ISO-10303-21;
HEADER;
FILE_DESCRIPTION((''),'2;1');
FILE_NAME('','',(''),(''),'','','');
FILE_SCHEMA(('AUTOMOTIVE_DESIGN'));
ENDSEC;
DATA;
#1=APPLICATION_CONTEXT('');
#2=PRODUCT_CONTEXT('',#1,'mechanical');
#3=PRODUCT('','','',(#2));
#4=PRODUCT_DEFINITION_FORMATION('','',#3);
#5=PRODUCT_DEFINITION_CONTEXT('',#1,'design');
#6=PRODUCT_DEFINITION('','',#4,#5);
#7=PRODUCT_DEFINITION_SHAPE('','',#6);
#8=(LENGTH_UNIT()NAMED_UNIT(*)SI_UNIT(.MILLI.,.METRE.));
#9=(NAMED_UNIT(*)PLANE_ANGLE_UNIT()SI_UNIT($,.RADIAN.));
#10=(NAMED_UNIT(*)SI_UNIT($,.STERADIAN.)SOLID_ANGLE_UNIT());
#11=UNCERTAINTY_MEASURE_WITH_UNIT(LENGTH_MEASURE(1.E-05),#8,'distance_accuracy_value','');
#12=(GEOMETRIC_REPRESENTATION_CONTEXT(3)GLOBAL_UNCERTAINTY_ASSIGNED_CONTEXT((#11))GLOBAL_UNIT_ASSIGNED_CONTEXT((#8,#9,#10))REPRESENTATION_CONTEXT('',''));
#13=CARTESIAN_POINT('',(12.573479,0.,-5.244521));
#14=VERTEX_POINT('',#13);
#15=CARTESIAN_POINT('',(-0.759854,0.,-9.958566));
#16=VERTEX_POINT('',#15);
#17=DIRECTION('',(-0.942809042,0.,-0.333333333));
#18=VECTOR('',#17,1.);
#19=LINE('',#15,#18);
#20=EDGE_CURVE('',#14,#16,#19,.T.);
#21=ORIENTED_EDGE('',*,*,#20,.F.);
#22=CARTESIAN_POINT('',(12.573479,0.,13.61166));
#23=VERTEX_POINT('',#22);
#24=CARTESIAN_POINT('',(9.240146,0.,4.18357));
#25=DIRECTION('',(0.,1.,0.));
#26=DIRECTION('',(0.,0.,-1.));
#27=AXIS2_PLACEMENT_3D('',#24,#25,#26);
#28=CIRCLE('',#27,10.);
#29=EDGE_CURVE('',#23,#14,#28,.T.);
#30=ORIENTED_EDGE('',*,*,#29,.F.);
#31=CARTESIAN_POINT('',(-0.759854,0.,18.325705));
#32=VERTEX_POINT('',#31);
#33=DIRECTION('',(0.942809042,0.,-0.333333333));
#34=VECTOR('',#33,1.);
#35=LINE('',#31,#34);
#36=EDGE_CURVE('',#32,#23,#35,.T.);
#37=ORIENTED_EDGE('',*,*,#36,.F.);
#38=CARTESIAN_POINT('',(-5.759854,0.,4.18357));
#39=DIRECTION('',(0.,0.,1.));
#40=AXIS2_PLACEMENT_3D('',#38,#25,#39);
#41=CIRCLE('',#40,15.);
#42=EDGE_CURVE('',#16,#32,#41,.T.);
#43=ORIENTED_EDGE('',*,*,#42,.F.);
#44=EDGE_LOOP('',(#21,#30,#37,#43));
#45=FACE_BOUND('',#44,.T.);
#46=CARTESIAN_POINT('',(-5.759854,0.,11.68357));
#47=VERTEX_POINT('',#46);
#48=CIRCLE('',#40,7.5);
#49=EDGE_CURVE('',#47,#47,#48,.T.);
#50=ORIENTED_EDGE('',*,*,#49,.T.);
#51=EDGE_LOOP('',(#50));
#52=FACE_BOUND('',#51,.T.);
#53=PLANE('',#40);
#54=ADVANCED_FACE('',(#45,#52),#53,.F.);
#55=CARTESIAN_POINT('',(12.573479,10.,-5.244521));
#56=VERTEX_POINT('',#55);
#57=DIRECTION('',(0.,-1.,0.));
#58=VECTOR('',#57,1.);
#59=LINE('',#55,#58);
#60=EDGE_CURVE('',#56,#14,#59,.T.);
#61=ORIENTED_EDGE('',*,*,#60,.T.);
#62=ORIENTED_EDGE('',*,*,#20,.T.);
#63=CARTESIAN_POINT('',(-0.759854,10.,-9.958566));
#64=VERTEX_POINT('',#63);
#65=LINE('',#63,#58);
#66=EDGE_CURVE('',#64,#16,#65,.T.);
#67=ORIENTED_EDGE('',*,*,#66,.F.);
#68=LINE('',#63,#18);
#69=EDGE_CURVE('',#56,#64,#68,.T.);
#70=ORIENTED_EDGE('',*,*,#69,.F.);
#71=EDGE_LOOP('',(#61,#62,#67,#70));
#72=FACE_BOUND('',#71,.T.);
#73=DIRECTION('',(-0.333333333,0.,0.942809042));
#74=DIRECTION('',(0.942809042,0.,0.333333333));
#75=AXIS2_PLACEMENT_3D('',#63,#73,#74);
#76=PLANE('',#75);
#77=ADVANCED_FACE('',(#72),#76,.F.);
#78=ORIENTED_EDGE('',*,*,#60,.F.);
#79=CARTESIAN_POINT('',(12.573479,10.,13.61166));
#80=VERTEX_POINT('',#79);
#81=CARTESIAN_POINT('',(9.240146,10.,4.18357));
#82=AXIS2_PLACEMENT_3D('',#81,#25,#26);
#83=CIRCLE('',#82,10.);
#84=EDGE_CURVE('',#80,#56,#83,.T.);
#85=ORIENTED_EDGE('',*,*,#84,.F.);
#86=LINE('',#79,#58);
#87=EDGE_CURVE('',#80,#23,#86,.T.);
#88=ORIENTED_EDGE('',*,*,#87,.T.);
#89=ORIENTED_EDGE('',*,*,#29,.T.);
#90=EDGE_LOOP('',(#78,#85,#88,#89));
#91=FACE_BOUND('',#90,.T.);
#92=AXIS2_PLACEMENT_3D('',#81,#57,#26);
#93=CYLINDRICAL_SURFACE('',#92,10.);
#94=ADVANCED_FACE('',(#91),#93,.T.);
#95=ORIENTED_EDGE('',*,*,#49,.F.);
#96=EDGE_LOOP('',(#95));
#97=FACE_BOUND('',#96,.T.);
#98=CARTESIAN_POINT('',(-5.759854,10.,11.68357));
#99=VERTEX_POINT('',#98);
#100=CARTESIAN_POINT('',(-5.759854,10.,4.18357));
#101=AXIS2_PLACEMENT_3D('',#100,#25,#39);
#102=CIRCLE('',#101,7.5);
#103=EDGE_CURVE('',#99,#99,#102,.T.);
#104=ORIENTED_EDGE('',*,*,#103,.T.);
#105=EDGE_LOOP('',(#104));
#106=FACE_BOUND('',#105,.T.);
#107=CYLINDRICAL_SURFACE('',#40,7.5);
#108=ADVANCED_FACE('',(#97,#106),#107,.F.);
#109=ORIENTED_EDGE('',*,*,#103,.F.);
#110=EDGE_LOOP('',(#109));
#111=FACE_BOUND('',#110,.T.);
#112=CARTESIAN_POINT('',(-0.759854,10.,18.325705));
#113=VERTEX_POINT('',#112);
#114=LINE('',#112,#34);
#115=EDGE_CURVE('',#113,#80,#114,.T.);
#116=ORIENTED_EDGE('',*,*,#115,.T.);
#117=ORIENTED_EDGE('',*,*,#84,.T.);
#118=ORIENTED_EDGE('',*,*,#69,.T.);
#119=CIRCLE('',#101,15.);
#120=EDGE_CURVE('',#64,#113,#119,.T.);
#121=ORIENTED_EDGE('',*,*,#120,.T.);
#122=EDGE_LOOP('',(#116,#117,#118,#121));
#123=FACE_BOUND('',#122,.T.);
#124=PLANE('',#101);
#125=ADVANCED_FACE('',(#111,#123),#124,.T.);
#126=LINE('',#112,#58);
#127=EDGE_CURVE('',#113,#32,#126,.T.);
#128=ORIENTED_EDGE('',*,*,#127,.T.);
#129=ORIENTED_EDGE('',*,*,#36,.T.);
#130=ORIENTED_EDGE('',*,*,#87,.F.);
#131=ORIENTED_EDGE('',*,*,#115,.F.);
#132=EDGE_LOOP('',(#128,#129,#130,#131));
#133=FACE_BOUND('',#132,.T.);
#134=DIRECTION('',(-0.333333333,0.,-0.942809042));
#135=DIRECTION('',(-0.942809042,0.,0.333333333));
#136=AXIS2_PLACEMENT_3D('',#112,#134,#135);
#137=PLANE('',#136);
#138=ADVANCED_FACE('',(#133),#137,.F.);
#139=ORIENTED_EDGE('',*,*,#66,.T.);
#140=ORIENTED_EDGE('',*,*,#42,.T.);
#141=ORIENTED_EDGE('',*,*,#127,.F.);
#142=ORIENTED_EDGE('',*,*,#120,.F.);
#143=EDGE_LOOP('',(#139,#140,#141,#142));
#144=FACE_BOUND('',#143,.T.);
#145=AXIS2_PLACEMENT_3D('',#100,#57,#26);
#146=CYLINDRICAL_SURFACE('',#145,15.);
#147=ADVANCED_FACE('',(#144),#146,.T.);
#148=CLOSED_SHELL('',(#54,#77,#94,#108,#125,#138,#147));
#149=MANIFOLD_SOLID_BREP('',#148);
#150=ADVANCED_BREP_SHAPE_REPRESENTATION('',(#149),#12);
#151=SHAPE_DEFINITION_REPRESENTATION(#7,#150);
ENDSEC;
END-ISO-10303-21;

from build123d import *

# Parameters (mm, degrees)
EXTRUDE_1_DEPTH     = 10
SKETCH_2_R          = 7.5
CUT_EXTRUDE_1_DEPTH = 10


with BuildPart() as part:
    # 草图1 → 凸台-拉伸1 (new body)
    with BuildSketch(Plane(origin=(0, 0, 0), x_dir=(1, 0, 0), z_dir=(0, 1, 0))):
        with BuildLine():
            Line((-0.759854477, 9.958566069), (12.573478857, 5.244520861))
            ThreePointArc((12.573478857, 5.244520861), (19.240145523, -4.183569555), (12.573478857, -13.611659971))
            Line((12.573478857, -13.611659971), (-0.759854477, -18.325705179))
            ThreePointArc((-0.759854477, -18.325705179), (-20.759854477, -4.183569555), (-0.759854477, 9.958566069))
        make_face()
    extrude(amount=EXTRUDE_1_DEPTH)

    # 草图2 → 切除-拉伸1 (cut)
    with BuildSketch(Plane(origin=(0, 10, 0), x_dir=(1, 0, 0), z_dir=(0, 1, 0))):
        with Locations(Location((-5.759854477, -4.183569555, 0), (0, 0, 270))):
            Circle(SKETCH_2_R)
    extrude(amount=-CUT_EXTRUDE_1_DEPTH, mode=Mode.SUBTRACT)


solid = part.part
